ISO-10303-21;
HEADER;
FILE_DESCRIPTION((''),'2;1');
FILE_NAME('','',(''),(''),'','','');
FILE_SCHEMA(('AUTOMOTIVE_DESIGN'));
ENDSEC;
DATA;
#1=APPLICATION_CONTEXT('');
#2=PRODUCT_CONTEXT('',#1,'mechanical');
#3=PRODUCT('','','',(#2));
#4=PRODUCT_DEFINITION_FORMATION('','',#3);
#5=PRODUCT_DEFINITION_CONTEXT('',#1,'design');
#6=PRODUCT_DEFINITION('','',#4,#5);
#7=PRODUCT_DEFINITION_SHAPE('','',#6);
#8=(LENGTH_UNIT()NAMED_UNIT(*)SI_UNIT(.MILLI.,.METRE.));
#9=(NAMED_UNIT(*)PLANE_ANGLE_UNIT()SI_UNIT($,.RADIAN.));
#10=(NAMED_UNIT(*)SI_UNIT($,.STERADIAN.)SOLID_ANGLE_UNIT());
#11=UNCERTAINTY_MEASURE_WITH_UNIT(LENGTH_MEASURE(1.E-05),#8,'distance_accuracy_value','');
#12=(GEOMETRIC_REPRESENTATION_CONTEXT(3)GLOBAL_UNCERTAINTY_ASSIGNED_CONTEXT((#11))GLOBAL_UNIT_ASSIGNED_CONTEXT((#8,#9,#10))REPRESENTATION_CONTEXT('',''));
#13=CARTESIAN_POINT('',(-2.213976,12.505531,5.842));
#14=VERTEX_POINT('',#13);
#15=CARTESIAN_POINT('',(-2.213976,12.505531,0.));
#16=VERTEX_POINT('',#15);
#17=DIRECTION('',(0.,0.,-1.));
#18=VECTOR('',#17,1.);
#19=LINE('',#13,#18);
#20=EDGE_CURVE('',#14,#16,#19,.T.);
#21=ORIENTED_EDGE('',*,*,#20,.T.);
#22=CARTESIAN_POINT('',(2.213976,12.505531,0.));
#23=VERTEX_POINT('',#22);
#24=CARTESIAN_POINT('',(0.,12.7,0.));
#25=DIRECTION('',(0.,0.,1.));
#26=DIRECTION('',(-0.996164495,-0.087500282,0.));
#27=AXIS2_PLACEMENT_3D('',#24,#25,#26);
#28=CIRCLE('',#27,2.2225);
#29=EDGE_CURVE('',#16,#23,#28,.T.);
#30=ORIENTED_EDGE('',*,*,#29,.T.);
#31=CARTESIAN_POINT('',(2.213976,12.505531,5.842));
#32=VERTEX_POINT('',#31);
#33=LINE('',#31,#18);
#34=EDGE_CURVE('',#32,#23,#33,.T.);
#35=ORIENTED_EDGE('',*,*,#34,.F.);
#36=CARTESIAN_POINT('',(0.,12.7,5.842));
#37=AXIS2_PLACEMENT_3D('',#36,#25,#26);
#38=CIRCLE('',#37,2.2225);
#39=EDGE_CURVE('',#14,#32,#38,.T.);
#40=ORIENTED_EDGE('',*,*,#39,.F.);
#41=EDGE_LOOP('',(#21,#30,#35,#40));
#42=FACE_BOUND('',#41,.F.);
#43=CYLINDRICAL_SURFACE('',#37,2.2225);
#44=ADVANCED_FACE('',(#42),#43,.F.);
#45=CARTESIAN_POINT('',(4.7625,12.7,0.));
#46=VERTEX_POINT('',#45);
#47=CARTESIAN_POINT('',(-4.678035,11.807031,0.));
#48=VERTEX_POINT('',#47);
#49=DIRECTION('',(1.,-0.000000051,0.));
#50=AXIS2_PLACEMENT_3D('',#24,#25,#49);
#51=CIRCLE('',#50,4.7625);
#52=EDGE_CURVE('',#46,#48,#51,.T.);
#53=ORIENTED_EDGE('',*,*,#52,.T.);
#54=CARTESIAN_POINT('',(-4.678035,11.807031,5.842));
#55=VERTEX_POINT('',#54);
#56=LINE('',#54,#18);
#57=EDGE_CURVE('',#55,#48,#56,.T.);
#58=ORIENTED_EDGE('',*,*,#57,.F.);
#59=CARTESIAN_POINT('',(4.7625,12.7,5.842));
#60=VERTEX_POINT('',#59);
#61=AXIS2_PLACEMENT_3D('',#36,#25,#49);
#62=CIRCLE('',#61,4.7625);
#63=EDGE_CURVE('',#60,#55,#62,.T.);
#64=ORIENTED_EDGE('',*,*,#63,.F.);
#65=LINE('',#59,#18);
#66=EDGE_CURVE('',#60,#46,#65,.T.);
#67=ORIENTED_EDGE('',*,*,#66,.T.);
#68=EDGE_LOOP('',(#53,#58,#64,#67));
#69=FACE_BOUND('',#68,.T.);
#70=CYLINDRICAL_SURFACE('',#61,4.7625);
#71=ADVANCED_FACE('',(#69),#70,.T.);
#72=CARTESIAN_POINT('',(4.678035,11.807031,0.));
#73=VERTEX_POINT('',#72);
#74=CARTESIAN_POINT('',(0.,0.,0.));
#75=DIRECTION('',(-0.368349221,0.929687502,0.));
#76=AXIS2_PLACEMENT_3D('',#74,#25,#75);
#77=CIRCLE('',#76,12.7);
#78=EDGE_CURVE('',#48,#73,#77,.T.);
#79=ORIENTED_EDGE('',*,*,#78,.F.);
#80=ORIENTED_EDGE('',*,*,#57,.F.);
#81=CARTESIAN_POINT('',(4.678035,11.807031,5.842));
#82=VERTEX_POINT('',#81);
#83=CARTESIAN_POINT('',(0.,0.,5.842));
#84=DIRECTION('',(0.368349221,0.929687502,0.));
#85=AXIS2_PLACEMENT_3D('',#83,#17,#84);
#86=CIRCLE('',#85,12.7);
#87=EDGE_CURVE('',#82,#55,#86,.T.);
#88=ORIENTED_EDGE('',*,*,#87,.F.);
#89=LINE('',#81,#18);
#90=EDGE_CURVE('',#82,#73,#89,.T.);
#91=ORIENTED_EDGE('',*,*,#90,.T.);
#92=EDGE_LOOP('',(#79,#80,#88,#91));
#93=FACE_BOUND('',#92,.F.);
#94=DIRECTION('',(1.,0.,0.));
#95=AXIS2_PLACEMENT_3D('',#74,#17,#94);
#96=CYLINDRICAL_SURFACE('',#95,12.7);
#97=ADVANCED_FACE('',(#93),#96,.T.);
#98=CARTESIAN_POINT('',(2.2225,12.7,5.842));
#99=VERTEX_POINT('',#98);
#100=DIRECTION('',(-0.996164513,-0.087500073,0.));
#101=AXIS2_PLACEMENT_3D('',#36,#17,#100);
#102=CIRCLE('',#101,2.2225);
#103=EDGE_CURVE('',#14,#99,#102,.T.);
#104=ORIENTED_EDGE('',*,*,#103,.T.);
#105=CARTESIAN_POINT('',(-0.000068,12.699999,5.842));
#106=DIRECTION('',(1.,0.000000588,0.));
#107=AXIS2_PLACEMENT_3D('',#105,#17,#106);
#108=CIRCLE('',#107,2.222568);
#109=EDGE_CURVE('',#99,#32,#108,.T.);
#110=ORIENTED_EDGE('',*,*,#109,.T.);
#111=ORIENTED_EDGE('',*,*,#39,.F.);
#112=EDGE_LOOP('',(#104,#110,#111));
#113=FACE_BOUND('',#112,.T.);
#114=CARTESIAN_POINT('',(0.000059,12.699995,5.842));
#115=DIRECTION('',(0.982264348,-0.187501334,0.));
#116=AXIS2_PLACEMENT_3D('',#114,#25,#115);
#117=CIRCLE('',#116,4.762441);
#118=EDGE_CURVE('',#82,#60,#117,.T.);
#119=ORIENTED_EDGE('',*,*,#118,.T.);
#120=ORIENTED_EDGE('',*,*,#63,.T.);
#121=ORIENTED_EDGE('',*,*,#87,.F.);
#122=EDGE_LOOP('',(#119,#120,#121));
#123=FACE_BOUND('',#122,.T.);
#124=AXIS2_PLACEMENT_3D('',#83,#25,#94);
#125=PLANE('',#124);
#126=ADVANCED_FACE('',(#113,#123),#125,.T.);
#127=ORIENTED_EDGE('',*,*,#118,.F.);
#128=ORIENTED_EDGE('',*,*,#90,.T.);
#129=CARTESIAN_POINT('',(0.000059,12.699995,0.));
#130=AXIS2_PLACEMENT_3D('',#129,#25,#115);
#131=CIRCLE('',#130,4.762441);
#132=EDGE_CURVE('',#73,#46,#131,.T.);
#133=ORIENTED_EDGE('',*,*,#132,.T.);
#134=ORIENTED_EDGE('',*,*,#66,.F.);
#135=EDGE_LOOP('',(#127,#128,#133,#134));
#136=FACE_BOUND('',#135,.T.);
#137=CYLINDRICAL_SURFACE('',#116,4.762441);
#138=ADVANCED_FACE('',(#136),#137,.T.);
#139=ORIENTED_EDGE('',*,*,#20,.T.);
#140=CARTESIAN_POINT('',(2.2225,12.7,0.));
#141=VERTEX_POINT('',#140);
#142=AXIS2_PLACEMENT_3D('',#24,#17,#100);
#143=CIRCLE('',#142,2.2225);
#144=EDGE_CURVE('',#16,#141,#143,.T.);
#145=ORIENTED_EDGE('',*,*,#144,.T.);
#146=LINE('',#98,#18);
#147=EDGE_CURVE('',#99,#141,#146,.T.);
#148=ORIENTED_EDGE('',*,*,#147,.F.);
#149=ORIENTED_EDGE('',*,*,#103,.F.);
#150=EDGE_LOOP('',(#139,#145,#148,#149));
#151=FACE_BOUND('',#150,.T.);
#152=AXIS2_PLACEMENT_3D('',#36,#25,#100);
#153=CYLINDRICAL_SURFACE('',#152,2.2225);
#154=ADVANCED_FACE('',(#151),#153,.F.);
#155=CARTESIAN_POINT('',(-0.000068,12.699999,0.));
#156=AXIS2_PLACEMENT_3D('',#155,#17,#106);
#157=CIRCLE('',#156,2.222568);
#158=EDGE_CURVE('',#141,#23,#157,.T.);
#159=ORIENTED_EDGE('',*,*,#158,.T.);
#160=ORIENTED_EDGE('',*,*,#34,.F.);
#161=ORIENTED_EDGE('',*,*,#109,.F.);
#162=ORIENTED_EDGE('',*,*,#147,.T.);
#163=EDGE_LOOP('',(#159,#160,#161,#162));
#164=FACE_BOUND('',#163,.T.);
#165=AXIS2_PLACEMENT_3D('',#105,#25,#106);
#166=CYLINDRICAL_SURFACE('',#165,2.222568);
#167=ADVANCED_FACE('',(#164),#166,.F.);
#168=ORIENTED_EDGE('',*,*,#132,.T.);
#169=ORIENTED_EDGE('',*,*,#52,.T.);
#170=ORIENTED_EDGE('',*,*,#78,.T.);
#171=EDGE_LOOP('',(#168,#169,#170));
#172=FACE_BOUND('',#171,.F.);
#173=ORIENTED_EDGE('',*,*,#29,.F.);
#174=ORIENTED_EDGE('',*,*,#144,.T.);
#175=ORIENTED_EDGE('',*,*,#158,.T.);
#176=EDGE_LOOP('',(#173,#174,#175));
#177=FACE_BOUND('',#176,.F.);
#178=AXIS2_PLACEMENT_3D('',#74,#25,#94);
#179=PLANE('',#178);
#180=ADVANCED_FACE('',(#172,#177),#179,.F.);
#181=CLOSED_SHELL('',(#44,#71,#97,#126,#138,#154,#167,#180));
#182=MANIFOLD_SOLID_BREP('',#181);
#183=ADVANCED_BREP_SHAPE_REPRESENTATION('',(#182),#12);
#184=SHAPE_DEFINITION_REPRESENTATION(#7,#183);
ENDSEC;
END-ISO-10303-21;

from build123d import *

# Parameters (mm, degrees)
F0_R     = 12.7
F1_DEPTH = 5.842
F3_DEPTH = 5.842
F4_DEPTH = 25.4


with BuildPart() as f1:
    # F0 (on Top) → F1 (new body)
    with BuildSketch(Plane.XY):
        Circle(F0_R)
    extrude(amount=F1_DEPTH)

    # F2 (on face) → F3 (join)
    with BuildSketch(Plane.XY.offset(5.842)):
        with BuildLine():
            ThreePointArc((4.678035, 11.807031), (4.741337, 12.251523), (4.7625, 12.7))
            ThreePointArc((4.7625, 12.7), (-0.448477, 17.441337), (-4.678035, 11.807031))
            ThreePointArc((-4.678035, 11.807031), (-3.463658, 12.218554), (-2.213976, 12.505531))
            ThreePointArc((-2.213976, 12.505531), (-0.097328, 14.920368), (2.2225, 12.7))
            ThreePointArc((2.2225, 12.7), (2.220368, 12.602672), (2.213976, 12.505531))
            ThreePointArc((2.213976, 12.505531), (3.463658, 12.218554), (4.678035, 11.807031))
        make_face()
    extrude(amount=-F3_DEPTH)

    # F2 (on face) → F4 (cut)
    with BuildSketch(Plane.XY.offset(5.842)):
        with BuildLine():
            ThreePointArc((2.213976, 12.505531), (0, 12.7), (-2.213976, 12.505531))
            ThreePointArc((-2.213976, 12.505531), (0, 10.4775), (2.213976, 12.505531))
        make_face()
    extrude(amount=-F4_DEPTH, mode=Mode.SUBTRACT)


solid = f1.part
